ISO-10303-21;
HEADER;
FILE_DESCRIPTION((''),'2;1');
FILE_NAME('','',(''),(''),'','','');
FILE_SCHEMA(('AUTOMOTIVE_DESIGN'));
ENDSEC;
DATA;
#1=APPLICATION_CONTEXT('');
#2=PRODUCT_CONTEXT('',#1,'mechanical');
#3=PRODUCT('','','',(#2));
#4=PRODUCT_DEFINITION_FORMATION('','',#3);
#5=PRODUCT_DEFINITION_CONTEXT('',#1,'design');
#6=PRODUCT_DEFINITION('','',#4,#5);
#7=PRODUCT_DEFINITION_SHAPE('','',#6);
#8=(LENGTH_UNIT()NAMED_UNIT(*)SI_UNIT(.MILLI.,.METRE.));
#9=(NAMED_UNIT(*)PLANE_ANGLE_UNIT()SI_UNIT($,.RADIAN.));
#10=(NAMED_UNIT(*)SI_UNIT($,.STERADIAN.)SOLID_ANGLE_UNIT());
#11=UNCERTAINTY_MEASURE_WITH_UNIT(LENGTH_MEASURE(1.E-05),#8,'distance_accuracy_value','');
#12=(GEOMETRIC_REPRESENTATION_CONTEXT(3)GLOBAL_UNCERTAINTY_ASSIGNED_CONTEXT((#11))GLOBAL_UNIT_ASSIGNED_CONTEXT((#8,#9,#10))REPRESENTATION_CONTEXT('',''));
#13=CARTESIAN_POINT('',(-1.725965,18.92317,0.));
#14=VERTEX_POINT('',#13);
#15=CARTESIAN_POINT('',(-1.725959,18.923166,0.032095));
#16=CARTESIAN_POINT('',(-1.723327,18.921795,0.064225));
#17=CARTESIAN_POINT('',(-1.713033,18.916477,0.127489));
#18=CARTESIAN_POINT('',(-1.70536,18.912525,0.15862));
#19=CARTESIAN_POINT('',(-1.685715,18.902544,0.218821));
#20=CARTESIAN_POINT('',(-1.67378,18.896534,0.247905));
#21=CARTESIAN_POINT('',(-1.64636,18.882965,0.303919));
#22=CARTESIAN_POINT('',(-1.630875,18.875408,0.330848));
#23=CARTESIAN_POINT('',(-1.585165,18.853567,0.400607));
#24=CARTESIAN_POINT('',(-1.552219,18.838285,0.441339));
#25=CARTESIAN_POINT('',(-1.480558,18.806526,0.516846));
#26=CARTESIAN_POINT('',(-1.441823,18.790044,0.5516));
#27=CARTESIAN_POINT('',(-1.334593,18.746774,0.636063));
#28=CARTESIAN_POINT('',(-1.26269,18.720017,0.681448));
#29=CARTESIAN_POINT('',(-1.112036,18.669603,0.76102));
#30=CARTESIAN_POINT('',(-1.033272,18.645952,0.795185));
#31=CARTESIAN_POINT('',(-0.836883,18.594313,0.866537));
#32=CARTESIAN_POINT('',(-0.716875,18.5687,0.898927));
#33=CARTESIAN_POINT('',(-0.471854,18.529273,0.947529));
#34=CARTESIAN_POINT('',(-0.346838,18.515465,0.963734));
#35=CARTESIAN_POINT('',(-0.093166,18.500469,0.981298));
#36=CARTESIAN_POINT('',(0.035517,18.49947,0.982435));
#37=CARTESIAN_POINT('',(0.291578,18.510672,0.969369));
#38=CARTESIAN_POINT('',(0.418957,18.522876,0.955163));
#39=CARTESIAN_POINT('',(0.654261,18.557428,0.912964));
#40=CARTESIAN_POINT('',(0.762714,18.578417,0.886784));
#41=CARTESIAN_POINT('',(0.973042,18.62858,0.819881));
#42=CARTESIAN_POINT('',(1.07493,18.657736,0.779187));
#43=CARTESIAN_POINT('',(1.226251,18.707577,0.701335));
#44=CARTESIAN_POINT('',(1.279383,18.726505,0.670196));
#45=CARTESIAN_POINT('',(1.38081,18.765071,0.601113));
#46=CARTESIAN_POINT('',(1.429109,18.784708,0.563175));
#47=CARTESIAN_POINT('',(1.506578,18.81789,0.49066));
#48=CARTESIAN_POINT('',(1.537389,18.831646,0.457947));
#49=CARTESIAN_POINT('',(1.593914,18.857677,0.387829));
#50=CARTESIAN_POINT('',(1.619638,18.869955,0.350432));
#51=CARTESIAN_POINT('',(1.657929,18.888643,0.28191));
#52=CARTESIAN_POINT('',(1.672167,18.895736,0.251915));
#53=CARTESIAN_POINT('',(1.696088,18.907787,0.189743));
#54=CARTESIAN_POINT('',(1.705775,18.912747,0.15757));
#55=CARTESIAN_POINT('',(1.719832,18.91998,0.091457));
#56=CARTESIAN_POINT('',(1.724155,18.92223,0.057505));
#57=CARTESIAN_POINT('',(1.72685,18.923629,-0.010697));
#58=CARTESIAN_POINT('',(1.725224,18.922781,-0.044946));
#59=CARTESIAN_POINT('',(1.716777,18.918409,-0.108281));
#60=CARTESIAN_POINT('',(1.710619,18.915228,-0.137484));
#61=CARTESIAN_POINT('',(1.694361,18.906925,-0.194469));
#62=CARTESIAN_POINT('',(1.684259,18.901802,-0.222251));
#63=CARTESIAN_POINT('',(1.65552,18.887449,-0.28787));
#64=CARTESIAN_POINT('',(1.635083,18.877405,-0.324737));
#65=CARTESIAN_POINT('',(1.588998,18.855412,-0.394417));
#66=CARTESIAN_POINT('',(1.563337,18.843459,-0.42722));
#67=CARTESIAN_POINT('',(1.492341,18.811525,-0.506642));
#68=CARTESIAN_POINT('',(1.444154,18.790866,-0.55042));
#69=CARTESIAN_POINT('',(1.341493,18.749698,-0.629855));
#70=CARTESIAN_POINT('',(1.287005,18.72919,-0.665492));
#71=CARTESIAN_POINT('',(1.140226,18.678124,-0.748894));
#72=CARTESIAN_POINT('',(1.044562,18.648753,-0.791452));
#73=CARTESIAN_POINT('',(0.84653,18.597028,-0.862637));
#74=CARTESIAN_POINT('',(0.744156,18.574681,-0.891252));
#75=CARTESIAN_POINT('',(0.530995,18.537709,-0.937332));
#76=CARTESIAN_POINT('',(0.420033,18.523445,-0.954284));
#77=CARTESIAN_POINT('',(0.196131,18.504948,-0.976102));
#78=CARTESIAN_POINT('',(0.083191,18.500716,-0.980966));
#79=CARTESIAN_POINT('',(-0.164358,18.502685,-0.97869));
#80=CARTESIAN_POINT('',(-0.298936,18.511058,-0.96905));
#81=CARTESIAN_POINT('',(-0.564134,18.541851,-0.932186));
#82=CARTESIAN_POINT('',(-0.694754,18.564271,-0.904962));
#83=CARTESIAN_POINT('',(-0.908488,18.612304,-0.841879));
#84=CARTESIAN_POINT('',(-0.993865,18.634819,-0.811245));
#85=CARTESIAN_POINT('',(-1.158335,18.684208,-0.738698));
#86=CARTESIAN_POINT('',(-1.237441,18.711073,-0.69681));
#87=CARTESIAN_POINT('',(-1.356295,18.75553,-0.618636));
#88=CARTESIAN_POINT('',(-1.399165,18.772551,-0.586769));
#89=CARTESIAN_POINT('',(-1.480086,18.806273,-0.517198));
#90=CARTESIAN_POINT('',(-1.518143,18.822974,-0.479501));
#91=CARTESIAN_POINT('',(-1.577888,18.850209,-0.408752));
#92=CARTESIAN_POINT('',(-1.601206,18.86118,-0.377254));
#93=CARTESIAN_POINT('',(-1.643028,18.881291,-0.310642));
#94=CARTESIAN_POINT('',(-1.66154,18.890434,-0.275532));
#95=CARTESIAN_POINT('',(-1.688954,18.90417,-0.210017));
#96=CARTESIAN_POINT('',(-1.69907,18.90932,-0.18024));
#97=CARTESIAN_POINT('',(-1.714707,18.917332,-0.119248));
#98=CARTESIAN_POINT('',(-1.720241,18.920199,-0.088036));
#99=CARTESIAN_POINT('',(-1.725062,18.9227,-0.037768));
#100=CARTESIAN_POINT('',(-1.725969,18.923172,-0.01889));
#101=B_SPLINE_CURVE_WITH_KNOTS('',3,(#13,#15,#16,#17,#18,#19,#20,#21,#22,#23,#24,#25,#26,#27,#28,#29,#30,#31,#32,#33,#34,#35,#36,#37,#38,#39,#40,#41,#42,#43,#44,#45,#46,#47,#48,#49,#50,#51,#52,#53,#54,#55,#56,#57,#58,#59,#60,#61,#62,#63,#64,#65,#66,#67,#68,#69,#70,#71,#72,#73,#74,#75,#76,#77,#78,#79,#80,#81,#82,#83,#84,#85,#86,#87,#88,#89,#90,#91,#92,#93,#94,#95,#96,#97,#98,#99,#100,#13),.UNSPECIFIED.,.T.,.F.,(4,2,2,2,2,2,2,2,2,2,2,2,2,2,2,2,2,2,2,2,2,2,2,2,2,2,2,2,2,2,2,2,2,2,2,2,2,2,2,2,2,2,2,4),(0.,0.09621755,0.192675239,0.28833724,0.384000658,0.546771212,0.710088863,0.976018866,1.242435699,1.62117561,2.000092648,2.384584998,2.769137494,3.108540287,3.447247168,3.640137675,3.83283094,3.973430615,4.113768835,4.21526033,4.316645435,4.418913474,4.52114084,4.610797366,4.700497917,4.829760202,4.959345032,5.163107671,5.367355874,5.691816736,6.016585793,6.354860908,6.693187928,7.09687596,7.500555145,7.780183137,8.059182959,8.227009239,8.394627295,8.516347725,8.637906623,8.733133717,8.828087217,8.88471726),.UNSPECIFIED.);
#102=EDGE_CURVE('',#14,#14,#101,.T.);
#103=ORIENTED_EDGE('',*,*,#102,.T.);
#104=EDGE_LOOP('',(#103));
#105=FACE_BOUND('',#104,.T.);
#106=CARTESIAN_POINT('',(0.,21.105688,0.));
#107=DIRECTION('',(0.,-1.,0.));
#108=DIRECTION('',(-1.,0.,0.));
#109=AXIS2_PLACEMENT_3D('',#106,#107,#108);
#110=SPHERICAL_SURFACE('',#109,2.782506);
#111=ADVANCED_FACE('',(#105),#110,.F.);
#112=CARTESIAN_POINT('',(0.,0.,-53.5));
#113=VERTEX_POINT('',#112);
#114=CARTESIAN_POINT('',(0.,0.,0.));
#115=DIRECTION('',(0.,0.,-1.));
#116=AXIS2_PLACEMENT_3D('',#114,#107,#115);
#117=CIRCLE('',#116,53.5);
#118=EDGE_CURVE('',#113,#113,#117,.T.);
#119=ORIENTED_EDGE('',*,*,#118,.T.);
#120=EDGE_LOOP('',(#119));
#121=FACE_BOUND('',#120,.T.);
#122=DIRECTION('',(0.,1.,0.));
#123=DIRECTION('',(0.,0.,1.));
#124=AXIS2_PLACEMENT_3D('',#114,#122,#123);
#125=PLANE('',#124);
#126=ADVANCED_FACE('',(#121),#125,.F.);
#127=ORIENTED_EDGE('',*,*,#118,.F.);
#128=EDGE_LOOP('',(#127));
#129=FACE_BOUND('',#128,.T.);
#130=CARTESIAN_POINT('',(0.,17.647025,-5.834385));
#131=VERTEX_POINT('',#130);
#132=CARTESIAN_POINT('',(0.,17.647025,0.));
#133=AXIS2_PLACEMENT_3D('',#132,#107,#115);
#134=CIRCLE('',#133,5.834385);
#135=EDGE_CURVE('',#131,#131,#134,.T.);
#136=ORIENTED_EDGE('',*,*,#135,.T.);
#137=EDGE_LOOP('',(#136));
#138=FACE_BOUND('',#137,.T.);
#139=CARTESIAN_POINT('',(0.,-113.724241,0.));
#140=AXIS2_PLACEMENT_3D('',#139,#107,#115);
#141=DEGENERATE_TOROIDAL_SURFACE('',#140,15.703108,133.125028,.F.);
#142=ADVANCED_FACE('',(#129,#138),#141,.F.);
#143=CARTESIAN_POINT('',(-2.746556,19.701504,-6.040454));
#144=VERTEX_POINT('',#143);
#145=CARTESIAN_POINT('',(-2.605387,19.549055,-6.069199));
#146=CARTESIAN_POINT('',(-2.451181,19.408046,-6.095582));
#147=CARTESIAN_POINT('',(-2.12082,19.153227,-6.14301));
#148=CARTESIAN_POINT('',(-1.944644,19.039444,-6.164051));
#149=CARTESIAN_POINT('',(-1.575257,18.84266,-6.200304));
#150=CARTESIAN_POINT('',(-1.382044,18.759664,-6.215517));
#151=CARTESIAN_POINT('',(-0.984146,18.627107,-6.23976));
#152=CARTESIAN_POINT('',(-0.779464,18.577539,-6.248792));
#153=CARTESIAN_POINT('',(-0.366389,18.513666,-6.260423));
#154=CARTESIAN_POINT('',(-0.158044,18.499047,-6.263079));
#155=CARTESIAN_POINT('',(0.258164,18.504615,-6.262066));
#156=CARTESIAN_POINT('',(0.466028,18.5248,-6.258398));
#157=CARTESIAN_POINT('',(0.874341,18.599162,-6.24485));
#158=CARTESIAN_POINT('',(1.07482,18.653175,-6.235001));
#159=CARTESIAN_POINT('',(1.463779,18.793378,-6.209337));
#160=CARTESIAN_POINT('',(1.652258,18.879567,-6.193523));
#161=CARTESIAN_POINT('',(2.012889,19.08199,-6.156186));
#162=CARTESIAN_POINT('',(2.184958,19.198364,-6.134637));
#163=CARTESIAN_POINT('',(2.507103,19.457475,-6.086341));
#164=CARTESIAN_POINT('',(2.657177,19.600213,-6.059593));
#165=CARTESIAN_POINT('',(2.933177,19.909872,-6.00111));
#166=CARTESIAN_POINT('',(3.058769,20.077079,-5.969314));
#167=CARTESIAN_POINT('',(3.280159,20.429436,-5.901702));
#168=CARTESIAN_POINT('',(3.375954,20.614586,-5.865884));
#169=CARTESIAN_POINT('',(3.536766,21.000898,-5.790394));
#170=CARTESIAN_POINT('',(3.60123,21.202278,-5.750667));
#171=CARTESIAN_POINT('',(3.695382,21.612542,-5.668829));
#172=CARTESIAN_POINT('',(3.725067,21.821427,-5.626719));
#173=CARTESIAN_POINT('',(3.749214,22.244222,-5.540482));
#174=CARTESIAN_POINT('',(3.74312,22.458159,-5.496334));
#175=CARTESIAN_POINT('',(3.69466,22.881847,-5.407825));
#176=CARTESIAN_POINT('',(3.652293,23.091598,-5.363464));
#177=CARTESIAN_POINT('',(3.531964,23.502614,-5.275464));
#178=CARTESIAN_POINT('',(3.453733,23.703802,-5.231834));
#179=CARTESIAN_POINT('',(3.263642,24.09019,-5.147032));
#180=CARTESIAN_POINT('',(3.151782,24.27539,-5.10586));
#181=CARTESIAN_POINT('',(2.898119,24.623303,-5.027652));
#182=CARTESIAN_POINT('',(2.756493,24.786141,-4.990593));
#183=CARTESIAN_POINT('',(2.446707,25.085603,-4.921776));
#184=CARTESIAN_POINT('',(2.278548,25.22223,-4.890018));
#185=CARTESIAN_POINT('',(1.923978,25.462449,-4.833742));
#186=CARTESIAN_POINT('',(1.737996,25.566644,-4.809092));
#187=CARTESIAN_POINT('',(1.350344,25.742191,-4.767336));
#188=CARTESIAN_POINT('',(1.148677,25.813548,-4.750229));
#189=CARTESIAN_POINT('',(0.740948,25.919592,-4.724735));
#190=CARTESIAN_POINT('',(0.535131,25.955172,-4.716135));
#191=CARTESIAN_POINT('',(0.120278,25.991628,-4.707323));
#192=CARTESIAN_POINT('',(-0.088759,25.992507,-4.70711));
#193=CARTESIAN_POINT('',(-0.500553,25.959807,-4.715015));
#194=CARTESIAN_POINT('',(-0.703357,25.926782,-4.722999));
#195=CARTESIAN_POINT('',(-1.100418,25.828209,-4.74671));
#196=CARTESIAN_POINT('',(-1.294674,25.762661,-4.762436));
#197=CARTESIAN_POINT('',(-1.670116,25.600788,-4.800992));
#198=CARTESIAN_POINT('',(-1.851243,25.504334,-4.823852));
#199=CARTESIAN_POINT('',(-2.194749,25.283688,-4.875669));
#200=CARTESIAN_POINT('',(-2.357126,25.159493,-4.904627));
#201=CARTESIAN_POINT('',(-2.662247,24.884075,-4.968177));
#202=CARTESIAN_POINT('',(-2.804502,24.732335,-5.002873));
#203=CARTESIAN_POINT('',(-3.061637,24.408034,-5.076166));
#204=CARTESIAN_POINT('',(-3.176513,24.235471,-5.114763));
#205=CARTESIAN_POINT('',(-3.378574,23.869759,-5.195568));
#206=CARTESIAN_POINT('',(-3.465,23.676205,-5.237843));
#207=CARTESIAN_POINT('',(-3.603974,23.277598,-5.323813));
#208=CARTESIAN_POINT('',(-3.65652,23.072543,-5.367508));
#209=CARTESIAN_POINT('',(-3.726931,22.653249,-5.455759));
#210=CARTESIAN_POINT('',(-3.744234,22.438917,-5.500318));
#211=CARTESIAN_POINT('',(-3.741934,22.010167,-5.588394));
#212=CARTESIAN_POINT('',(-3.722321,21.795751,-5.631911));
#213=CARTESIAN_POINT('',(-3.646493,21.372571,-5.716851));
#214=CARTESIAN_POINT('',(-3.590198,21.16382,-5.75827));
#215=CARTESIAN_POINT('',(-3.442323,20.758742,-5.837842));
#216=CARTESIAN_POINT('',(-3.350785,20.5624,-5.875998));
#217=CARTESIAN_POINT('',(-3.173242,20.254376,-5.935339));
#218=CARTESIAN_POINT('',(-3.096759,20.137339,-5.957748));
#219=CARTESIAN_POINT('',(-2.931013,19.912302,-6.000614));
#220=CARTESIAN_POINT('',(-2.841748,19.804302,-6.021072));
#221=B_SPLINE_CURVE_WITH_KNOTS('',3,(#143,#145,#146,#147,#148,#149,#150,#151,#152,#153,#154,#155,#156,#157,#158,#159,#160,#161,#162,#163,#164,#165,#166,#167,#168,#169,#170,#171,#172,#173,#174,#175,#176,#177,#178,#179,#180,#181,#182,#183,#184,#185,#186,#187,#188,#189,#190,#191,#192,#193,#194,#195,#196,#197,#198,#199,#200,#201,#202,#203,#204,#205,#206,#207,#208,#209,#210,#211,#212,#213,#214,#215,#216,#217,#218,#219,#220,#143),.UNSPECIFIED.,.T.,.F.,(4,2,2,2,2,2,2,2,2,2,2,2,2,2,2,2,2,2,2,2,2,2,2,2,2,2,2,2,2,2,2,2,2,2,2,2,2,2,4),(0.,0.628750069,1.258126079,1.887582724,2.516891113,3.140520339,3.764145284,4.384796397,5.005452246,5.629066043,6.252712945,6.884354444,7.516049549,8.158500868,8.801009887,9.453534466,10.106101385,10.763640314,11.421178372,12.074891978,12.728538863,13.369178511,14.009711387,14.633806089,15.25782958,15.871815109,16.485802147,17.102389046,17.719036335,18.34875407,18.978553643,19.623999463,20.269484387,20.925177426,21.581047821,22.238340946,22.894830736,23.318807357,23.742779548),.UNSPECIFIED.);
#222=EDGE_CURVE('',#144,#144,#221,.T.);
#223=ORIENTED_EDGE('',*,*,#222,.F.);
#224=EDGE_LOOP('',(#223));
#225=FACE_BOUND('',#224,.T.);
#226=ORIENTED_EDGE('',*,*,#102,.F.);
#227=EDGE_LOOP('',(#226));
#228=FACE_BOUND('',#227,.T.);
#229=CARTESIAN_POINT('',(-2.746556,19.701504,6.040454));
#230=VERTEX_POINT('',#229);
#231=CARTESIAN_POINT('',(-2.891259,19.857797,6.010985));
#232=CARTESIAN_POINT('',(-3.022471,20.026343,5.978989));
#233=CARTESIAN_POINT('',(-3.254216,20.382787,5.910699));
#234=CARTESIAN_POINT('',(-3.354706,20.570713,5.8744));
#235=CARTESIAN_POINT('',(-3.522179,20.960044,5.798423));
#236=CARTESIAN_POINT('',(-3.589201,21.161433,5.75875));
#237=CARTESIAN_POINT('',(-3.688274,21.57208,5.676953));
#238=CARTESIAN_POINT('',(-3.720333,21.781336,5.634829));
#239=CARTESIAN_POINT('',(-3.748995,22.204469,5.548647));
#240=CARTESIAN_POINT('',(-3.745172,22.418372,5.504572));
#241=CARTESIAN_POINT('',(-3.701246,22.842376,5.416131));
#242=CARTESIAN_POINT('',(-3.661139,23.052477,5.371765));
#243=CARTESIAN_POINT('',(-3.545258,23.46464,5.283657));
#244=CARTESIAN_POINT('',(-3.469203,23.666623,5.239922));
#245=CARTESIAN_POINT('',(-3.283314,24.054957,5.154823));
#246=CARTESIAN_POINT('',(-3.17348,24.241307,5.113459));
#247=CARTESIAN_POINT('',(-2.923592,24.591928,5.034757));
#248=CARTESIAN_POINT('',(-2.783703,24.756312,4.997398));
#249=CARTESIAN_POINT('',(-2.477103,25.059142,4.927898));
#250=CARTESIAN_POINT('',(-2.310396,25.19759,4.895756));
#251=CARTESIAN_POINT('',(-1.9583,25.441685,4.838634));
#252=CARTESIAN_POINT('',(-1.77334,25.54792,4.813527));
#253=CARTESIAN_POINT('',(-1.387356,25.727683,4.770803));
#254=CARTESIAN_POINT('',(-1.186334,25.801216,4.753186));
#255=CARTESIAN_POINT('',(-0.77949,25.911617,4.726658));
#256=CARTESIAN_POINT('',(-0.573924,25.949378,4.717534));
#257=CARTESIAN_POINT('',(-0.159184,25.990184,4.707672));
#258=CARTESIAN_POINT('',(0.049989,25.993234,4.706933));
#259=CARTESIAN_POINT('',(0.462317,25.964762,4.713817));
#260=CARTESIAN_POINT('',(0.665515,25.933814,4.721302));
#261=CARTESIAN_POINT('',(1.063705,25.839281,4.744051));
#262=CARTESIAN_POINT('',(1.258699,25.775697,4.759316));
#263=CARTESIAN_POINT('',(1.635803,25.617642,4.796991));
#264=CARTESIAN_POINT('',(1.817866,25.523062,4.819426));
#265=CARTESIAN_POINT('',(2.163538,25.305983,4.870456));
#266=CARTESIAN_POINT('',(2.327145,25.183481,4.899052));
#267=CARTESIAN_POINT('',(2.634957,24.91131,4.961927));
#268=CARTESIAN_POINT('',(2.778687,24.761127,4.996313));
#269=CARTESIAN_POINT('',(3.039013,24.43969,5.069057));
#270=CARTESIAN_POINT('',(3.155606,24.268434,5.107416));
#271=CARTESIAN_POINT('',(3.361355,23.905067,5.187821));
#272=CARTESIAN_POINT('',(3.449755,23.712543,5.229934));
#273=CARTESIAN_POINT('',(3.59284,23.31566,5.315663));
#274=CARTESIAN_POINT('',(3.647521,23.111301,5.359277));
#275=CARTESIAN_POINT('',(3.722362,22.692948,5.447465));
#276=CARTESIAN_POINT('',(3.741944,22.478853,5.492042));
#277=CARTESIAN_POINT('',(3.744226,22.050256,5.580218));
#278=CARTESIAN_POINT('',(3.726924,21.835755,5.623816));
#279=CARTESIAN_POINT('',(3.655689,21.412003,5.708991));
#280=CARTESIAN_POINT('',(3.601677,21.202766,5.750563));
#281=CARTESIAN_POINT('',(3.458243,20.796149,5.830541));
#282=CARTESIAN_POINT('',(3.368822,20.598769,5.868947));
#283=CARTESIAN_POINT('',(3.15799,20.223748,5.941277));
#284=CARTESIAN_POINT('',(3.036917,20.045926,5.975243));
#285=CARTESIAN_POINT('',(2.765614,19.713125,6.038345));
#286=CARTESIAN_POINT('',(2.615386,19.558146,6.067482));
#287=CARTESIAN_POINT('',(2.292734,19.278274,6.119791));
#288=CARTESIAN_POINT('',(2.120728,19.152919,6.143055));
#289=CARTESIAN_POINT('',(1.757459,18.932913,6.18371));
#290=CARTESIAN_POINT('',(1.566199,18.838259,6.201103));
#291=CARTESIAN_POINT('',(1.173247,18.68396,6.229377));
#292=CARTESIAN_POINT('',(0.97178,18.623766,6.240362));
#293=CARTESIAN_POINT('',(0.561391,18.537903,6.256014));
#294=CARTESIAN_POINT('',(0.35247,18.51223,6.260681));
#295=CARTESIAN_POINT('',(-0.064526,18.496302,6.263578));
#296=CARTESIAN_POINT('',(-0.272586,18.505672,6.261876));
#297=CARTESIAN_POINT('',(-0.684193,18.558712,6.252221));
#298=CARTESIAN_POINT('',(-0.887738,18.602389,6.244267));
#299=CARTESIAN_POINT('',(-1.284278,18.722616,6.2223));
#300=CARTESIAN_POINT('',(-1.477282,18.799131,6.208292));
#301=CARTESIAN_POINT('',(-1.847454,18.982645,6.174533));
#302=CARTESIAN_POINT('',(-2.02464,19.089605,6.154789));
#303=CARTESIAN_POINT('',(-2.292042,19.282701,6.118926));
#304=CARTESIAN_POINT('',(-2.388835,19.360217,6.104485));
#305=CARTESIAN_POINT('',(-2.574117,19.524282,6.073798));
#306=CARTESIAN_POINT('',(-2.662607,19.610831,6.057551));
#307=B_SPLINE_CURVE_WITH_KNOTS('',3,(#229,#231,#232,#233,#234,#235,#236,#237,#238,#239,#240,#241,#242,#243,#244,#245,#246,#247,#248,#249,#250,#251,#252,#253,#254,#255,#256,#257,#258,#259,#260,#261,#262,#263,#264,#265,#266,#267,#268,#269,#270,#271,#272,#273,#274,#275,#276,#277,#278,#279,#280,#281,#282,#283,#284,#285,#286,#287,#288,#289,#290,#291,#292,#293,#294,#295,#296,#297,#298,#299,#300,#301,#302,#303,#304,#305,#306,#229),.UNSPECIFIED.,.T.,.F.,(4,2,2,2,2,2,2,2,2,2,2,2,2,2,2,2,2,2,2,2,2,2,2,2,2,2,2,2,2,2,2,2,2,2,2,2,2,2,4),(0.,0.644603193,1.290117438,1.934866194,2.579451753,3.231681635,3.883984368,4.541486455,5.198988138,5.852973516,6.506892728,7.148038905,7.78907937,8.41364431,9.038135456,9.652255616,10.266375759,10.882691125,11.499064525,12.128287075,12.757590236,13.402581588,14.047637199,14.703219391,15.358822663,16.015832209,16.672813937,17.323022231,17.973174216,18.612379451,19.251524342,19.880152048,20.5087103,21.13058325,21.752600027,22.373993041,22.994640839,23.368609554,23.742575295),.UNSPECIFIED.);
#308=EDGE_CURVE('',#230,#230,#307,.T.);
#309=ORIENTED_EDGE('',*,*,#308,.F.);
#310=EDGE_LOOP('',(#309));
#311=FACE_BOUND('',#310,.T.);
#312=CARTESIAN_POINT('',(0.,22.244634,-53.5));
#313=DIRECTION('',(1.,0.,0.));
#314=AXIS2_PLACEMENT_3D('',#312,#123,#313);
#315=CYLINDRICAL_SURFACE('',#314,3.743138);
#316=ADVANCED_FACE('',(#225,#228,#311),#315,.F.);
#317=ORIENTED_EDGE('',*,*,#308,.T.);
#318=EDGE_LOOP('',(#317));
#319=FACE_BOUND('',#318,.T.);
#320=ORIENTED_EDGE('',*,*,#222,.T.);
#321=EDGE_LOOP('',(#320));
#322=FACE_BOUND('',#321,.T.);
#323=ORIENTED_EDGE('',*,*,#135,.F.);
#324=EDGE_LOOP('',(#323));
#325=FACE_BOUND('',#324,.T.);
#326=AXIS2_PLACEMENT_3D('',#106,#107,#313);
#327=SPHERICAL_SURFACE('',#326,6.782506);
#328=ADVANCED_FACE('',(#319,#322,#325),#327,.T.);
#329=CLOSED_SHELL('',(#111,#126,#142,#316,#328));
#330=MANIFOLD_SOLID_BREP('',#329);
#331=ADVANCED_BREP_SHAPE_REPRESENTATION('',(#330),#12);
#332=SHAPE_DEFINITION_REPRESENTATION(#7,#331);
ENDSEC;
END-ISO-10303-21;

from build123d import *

# Parameters (mm, degrees)
CORTE_EXTRUS_O1_DEPTH      = 81.636539008
CORTE_EXTRUS_O1_DEPTH_BACK = 81.636539008
ESBO_O2_R                  = 3.743138016


with BuildPart() as part:
    # Esboço1 → Revolução1 (revolve)
    with BuildSketch(Plane.XY, mode=Mode.PRIVATE) as revolu_o1_sk:
        with BuildLine():
            Line((0, 0), (-53.5, 0))
            ThreePointArc((-53.5, 0), (-30.517217815, 11.119479738), (-5.834384509, 17.64702496))
            ThreePointArc((-5.834384509, 17.64702496), (-5.893250367, 24.463067251), (0, 27.888194666))
            Line((0, 27.888194666), (0, 25.698667422))
            Line((0, 25.698667422), (0, 23.888194666))
            ThreePointArc((0, 23.888194666), (-2.782506468, 21.105688198), (0, 18.323181729))
            Line((0, 18.323181729), (0, 0))
        make_face()
    revolve(revolu_o1_sk.sketch.rotate(Axis((0, 0, 0), (0, 1, 0)), 270), axis=Axis((0, 0, 0), (0, 1, 0)))

    # Esboço2 → Corte-extrusão1 (cut, two sides: drawn at the far end of the back side and taken through both)
    with BuildSketch(Plane.XY.offset(-CORTE_EXTRUS_O1_DEPTH_BACK)):
        with Locations(Location((0, 22.244634325, 0), (0, 0, 222.797655558))):
            Circle(ESBO_O2_R)
    extrude(amount=CORTE_EXTRUS_O1_DEPTH + CORTE_EXTRUS_O1_DEPTH_BACK, mode=Mode.SUBTRACT)


solid = part.part
